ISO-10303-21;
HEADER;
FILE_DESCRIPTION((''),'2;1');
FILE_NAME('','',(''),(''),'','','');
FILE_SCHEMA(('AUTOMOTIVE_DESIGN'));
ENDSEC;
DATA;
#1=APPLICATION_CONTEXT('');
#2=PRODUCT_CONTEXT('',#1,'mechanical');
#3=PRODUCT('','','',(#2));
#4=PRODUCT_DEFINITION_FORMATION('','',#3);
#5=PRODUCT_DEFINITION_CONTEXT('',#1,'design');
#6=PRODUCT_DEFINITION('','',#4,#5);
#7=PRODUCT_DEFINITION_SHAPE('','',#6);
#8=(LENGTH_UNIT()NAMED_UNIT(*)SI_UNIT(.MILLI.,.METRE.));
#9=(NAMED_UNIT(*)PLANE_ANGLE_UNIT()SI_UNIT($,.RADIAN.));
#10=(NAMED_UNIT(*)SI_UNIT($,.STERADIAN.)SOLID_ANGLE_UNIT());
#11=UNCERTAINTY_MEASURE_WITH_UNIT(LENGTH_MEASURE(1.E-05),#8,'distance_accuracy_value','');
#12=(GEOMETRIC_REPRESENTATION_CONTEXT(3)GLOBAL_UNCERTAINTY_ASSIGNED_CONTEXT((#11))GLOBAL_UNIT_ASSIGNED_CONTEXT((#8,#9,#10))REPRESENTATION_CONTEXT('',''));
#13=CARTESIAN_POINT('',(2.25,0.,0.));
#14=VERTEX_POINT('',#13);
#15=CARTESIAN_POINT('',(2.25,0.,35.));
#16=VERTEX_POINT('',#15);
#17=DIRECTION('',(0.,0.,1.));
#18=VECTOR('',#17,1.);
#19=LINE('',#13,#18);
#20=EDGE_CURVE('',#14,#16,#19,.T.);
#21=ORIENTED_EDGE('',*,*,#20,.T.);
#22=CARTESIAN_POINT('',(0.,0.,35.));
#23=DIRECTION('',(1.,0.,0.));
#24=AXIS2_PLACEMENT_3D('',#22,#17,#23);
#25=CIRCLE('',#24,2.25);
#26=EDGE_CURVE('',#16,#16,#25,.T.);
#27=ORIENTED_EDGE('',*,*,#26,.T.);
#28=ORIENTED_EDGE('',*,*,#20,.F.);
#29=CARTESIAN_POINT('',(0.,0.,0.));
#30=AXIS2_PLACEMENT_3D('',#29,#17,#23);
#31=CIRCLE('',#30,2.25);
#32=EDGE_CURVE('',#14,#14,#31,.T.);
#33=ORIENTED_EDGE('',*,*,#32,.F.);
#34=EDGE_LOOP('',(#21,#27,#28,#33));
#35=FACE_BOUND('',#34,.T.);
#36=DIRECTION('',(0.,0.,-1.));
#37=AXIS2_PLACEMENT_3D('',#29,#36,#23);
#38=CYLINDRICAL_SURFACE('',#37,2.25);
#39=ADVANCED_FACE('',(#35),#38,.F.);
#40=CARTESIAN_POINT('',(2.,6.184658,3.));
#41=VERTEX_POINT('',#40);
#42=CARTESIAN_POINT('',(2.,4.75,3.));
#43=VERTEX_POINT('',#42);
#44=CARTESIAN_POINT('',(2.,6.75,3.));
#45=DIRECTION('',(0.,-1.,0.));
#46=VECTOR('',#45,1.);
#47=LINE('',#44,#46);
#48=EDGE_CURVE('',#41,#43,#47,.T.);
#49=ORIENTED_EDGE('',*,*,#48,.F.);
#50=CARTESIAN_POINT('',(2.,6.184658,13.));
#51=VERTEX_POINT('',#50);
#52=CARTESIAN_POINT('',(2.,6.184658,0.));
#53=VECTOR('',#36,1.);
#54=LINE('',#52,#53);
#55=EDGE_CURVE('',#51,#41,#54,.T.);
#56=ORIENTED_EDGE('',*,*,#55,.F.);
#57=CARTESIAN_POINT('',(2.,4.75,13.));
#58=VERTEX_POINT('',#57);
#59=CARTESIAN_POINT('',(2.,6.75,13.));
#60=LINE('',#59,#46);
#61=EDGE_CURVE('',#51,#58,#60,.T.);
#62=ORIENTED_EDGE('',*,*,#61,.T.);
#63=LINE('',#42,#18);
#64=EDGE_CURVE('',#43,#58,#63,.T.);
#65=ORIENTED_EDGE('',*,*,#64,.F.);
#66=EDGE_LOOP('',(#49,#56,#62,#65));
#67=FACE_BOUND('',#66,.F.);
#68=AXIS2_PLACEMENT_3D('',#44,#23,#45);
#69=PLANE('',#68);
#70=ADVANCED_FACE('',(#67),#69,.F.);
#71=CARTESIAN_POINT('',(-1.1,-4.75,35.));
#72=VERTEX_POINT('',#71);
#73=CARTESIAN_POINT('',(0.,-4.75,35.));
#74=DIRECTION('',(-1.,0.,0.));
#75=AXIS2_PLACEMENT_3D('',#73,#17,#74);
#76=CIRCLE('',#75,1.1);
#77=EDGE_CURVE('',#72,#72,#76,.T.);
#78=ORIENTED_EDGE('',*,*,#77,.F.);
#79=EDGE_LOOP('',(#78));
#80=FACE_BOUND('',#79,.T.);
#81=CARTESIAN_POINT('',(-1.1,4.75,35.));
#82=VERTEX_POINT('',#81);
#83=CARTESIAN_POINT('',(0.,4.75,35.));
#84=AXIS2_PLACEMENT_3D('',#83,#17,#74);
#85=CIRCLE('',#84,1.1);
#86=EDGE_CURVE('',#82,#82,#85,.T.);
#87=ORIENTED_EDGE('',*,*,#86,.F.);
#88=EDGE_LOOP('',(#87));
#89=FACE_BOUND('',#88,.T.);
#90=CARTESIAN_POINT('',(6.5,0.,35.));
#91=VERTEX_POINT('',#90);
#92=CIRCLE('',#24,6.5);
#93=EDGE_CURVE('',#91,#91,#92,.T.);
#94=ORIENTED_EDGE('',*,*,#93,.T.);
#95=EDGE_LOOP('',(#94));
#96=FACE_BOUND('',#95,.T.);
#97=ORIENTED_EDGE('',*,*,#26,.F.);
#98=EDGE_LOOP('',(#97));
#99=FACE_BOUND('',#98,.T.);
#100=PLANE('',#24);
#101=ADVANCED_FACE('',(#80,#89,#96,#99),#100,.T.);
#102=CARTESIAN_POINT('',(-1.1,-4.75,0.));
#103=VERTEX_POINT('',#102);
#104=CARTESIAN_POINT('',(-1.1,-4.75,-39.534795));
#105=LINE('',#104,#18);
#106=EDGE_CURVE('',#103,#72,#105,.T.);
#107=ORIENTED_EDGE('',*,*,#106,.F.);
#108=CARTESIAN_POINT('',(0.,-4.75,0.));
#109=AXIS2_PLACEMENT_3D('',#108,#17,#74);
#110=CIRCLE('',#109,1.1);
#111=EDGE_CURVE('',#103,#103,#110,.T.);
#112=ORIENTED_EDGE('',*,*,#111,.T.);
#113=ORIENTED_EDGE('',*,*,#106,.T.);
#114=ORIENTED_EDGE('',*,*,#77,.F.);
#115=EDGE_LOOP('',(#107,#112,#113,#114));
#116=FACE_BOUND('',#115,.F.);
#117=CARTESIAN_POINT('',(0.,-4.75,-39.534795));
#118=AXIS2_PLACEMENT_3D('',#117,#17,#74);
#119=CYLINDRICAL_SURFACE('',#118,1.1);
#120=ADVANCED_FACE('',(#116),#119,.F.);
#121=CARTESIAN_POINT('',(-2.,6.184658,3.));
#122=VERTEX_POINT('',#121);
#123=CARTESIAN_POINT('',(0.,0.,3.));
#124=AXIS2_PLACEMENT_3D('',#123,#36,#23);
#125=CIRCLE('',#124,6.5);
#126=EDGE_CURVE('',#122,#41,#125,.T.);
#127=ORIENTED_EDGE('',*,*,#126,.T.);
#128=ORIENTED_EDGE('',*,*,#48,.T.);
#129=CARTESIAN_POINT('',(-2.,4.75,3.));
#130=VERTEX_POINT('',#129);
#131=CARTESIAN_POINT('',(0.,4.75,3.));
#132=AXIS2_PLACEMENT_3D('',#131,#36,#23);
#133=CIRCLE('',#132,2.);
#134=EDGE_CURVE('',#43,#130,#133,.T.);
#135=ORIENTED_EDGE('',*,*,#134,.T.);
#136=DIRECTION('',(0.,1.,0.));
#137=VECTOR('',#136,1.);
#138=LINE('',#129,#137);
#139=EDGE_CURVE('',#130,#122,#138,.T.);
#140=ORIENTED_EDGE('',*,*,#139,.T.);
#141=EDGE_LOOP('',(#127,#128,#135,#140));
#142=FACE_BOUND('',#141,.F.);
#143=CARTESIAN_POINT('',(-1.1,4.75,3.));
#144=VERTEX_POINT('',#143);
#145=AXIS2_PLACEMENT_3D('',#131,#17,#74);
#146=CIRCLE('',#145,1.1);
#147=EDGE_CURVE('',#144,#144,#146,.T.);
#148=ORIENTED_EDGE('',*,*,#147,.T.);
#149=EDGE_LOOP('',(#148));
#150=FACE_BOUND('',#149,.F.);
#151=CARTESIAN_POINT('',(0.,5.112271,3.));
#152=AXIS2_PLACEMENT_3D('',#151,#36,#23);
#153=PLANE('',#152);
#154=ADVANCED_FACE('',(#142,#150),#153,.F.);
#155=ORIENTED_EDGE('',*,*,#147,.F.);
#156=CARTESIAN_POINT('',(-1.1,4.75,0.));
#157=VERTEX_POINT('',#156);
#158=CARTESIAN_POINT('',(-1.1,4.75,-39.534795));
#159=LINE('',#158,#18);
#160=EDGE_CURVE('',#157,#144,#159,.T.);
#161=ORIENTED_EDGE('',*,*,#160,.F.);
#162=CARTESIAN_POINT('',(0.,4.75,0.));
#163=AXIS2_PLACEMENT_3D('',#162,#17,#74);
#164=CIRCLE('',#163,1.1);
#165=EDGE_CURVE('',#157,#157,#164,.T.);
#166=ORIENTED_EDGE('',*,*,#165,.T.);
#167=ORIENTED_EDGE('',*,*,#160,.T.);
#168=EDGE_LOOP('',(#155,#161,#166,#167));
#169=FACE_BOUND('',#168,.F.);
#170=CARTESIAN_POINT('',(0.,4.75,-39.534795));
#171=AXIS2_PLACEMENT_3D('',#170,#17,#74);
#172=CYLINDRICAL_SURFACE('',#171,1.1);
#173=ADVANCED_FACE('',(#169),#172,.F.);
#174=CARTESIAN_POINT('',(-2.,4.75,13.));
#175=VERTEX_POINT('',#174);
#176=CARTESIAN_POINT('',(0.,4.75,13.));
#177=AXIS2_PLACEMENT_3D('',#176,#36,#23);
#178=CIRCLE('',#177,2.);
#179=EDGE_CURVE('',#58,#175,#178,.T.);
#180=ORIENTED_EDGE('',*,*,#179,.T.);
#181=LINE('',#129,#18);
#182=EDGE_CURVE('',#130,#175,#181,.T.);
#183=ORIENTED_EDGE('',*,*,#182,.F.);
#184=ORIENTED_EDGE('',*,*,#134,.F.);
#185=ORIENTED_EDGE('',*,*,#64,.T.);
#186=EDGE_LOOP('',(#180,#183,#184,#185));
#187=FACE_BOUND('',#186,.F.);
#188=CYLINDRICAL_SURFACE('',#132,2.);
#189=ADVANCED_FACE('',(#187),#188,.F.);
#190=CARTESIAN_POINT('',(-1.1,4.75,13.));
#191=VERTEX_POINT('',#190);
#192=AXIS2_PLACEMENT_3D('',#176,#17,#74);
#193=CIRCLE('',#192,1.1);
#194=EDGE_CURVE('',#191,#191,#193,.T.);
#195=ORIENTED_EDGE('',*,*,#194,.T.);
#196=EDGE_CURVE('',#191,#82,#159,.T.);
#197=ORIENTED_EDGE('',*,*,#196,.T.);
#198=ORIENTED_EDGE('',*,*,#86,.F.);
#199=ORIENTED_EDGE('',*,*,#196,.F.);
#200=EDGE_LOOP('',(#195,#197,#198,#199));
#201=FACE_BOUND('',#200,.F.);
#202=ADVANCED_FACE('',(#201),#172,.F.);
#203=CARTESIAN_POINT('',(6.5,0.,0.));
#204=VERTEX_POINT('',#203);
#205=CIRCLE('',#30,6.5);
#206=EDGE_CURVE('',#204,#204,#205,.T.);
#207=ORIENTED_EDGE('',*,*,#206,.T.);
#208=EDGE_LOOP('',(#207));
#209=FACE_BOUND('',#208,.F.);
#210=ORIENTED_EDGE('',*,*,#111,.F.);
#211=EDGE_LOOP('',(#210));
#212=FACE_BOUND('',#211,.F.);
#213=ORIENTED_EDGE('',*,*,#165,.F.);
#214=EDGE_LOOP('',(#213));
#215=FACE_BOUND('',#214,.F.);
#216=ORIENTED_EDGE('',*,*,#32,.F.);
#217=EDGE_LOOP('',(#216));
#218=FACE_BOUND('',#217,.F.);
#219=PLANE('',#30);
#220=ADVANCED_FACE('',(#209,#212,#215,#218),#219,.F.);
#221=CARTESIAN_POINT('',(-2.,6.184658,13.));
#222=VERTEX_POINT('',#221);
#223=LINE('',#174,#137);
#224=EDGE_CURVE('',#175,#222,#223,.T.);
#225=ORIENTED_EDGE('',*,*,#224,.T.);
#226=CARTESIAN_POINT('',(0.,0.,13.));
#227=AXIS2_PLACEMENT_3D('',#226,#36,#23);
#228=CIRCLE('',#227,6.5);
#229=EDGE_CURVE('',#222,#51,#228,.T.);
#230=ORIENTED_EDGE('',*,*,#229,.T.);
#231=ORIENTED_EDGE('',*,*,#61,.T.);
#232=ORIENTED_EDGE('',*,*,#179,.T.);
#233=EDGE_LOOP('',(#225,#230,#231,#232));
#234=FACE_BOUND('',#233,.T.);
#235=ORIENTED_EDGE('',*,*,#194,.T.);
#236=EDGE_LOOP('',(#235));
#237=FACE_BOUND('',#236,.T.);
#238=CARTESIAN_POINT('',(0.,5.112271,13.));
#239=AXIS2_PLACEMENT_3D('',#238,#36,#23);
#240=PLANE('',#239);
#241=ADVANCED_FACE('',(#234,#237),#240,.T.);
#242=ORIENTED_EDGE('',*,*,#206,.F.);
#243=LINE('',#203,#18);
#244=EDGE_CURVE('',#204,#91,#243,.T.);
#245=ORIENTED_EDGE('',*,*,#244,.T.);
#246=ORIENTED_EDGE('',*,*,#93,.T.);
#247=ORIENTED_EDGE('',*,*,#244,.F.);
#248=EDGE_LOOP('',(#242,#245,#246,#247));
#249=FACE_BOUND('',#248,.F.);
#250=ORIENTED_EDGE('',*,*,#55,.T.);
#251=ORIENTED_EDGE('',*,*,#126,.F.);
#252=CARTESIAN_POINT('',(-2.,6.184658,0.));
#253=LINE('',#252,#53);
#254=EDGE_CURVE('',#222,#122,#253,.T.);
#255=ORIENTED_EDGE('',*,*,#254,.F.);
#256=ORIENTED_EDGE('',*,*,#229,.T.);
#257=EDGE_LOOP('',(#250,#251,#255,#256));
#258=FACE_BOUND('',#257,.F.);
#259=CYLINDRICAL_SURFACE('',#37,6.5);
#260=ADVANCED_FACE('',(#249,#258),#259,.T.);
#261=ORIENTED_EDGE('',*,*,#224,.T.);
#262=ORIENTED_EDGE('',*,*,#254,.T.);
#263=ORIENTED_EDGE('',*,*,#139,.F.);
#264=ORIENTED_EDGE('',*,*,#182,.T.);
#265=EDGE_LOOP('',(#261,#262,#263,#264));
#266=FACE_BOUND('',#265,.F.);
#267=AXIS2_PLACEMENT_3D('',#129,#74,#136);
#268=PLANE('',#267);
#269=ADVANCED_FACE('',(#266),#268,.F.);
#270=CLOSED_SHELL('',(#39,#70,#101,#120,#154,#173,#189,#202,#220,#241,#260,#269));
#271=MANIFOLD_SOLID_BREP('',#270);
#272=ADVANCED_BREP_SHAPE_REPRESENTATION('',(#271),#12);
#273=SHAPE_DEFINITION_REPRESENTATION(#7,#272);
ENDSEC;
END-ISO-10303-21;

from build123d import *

# Parameters (mm, degrees)
F0_R     = 6.5
F0_R_2   = 2.25
F1_DEPTH = 35
F3_D     = 2.2
F7_DEPTH = 10


with BuildPart() as f1:
    # F0 (on Top) → F1 (new body)
    with BuildSketch(Plane.XY):
        Circle(F0_R)
        Circle(F0_R_2, mode=Mode.SUBTRACT)
    extrude(amount=F1_DEPTH)

    # F3 (through all)
    with Locations(Plane(origin=(0, 0, 0), x_dir=(1, 0, 0), z_dir=(0, 0, -1))):
        with Locations((0, -4.75), (0, 4.75)):
            Hole(F3_D / 2)

    # F6 (on offset) → F7 (cut)
    with BuildSketch(Plane(origin=(0, 0, 3), x_dir=(1, 0, 0), z_dir=(0, 0, -1))):
        with BuildLine():
            Line((2, -6.75), (2, -4.75))
            ThreePointArc((2, -4.75), (0, -2.75), (-2, -4.75))
            Line((-2, -4.75), (-2, -6.75))
            Line((-2, -6.75), (2, -6.75))
        make_face()
    extrude(amount=-F7_DEPTH, mode=Mode.SUBTRACT)


solid = f1.part
